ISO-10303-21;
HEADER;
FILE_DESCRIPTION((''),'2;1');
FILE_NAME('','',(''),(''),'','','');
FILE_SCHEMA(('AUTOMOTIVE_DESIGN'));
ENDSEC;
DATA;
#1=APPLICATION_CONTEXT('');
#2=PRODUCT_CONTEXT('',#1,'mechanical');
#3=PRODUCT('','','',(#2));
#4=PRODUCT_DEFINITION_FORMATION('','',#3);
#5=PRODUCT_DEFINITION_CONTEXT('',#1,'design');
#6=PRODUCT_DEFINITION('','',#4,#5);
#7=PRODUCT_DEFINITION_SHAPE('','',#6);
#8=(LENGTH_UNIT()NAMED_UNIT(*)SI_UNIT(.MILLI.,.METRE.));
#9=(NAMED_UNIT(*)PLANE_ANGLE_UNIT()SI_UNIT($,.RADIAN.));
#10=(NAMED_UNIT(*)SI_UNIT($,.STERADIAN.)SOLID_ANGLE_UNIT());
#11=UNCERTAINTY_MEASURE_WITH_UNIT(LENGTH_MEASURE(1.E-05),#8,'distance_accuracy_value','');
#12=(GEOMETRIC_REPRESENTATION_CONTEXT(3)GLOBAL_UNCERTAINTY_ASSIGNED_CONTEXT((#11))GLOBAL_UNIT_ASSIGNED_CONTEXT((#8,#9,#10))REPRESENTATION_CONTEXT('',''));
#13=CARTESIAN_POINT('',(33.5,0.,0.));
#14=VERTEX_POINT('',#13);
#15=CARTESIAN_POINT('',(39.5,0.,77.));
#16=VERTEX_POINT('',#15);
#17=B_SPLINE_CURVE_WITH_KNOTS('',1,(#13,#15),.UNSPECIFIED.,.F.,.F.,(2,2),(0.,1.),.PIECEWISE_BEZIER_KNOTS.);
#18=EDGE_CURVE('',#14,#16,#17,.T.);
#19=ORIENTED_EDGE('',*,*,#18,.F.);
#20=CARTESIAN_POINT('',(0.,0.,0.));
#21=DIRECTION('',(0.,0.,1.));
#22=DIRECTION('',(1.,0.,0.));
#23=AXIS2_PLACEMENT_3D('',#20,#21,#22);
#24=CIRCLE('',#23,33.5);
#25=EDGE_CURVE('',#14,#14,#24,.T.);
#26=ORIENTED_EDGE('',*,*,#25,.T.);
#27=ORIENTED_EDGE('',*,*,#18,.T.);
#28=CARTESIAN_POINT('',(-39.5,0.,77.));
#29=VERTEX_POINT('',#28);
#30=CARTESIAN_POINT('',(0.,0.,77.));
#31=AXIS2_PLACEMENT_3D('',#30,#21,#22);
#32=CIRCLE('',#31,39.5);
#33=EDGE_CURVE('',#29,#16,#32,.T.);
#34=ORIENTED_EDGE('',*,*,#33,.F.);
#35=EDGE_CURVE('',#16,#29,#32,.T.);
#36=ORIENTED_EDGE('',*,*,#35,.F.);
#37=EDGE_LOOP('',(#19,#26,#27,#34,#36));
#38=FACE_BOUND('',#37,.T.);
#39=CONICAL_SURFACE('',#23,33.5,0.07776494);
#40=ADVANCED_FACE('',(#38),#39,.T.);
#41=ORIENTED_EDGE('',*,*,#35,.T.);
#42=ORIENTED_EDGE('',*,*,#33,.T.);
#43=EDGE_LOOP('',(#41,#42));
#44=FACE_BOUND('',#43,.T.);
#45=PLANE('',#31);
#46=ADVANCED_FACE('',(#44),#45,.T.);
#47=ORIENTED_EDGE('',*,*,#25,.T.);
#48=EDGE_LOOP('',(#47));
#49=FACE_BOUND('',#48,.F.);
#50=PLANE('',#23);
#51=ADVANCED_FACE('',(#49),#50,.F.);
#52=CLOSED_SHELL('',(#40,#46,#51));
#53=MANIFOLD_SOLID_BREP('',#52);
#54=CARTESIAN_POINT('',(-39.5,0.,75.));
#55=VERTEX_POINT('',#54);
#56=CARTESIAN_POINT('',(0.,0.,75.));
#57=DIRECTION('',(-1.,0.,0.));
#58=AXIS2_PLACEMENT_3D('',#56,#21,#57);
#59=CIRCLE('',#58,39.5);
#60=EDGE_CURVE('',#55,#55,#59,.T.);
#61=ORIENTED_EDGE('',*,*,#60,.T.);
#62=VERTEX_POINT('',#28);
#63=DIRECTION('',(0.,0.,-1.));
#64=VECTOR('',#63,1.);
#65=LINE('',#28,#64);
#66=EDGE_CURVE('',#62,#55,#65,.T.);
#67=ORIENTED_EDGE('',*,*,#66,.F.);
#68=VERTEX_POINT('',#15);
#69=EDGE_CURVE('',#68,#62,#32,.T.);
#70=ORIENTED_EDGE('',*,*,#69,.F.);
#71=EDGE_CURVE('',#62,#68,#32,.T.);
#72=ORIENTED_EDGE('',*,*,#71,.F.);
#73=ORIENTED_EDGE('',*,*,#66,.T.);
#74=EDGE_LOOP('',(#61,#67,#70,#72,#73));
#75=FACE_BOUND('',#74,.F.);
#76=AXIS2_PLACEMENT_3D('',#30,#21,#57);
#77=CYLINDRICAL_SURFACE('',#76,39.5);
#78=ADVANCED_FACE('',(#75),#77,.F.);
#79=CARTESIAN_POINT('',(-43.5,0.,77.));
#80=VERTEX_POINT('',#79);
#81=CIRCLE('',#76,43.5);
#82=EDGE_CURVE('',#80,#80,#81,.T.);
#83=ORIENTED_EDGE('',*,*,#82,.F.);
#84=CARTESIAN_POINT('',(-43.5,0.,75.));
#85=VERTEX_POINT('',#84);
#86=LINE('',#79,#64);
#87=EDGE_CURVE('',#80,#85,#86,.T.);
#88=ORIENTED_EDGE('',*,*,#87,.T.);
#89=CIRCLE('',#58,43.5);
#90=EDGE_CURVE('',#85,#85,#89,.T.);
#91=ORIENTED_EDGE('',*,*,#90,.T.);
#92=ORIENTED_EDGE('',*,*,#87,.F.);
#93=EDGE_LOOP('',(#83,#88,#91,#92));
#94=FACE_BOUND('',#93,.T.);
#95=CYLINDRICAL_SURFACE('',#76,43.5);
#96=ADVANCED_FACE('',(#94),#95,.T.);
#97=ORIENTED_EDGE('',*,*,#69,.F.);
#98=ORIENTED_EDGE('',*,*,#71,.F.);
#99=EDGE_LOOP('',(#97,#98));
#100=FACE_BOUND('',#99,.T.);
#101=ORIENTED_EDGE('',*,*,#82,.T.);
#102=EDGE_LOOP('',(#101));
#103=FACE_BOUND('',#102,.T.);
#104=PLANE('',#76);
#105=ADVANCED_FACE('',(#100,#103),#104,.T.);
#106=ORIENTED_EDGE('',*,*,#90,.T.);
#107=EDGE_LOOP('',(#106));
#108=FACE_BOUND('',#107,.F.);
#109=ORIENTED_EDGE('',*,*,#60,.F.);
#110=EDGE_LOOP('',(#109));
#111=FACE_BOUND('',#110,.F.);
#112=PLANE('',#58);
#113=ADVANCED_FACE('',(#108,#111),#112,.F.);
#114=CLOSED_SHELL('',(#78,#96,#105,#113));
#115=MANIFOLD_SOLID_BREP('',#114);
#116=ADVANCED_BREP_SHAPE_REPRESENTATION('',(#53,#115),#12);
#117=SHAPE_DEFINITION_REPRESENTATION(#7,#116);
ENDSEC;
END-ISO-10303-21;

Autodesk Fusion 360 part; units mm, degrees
sketch "Sketch1" plane through (0, 0, 0) normal (0, 0, 1) x (1, 0, 0)
  circle A0 centre (0, 0) radius 33.5
  dimension "d1" = 67
ref_plane "WorkPlane1" through (0, 0, 77) normal (0, 0, 1) x (1, 0, 0)
sketch "Sketch2" plane through (0, 0, 77) normal (0, 0, 1) x (1, 0, 0)
  circle A0 centre (0, 0) radius 39.5
  dimension "d3" = 79
loft "Loft1" add profiles "Sketch1", "Sketch2" section 1 section 2
sketch "Sketch3" plane through (0, 0, 77) normal (0, 0, 1) x (-1, 0, 0)
  circle A0 centre (0, 0) radius 39.5
  circle A1 centre (0, 0) radius 43.5
  dimension "d4" = 87
extrude "Extrude1" add sketch "Sketch3" against normal blind 2
